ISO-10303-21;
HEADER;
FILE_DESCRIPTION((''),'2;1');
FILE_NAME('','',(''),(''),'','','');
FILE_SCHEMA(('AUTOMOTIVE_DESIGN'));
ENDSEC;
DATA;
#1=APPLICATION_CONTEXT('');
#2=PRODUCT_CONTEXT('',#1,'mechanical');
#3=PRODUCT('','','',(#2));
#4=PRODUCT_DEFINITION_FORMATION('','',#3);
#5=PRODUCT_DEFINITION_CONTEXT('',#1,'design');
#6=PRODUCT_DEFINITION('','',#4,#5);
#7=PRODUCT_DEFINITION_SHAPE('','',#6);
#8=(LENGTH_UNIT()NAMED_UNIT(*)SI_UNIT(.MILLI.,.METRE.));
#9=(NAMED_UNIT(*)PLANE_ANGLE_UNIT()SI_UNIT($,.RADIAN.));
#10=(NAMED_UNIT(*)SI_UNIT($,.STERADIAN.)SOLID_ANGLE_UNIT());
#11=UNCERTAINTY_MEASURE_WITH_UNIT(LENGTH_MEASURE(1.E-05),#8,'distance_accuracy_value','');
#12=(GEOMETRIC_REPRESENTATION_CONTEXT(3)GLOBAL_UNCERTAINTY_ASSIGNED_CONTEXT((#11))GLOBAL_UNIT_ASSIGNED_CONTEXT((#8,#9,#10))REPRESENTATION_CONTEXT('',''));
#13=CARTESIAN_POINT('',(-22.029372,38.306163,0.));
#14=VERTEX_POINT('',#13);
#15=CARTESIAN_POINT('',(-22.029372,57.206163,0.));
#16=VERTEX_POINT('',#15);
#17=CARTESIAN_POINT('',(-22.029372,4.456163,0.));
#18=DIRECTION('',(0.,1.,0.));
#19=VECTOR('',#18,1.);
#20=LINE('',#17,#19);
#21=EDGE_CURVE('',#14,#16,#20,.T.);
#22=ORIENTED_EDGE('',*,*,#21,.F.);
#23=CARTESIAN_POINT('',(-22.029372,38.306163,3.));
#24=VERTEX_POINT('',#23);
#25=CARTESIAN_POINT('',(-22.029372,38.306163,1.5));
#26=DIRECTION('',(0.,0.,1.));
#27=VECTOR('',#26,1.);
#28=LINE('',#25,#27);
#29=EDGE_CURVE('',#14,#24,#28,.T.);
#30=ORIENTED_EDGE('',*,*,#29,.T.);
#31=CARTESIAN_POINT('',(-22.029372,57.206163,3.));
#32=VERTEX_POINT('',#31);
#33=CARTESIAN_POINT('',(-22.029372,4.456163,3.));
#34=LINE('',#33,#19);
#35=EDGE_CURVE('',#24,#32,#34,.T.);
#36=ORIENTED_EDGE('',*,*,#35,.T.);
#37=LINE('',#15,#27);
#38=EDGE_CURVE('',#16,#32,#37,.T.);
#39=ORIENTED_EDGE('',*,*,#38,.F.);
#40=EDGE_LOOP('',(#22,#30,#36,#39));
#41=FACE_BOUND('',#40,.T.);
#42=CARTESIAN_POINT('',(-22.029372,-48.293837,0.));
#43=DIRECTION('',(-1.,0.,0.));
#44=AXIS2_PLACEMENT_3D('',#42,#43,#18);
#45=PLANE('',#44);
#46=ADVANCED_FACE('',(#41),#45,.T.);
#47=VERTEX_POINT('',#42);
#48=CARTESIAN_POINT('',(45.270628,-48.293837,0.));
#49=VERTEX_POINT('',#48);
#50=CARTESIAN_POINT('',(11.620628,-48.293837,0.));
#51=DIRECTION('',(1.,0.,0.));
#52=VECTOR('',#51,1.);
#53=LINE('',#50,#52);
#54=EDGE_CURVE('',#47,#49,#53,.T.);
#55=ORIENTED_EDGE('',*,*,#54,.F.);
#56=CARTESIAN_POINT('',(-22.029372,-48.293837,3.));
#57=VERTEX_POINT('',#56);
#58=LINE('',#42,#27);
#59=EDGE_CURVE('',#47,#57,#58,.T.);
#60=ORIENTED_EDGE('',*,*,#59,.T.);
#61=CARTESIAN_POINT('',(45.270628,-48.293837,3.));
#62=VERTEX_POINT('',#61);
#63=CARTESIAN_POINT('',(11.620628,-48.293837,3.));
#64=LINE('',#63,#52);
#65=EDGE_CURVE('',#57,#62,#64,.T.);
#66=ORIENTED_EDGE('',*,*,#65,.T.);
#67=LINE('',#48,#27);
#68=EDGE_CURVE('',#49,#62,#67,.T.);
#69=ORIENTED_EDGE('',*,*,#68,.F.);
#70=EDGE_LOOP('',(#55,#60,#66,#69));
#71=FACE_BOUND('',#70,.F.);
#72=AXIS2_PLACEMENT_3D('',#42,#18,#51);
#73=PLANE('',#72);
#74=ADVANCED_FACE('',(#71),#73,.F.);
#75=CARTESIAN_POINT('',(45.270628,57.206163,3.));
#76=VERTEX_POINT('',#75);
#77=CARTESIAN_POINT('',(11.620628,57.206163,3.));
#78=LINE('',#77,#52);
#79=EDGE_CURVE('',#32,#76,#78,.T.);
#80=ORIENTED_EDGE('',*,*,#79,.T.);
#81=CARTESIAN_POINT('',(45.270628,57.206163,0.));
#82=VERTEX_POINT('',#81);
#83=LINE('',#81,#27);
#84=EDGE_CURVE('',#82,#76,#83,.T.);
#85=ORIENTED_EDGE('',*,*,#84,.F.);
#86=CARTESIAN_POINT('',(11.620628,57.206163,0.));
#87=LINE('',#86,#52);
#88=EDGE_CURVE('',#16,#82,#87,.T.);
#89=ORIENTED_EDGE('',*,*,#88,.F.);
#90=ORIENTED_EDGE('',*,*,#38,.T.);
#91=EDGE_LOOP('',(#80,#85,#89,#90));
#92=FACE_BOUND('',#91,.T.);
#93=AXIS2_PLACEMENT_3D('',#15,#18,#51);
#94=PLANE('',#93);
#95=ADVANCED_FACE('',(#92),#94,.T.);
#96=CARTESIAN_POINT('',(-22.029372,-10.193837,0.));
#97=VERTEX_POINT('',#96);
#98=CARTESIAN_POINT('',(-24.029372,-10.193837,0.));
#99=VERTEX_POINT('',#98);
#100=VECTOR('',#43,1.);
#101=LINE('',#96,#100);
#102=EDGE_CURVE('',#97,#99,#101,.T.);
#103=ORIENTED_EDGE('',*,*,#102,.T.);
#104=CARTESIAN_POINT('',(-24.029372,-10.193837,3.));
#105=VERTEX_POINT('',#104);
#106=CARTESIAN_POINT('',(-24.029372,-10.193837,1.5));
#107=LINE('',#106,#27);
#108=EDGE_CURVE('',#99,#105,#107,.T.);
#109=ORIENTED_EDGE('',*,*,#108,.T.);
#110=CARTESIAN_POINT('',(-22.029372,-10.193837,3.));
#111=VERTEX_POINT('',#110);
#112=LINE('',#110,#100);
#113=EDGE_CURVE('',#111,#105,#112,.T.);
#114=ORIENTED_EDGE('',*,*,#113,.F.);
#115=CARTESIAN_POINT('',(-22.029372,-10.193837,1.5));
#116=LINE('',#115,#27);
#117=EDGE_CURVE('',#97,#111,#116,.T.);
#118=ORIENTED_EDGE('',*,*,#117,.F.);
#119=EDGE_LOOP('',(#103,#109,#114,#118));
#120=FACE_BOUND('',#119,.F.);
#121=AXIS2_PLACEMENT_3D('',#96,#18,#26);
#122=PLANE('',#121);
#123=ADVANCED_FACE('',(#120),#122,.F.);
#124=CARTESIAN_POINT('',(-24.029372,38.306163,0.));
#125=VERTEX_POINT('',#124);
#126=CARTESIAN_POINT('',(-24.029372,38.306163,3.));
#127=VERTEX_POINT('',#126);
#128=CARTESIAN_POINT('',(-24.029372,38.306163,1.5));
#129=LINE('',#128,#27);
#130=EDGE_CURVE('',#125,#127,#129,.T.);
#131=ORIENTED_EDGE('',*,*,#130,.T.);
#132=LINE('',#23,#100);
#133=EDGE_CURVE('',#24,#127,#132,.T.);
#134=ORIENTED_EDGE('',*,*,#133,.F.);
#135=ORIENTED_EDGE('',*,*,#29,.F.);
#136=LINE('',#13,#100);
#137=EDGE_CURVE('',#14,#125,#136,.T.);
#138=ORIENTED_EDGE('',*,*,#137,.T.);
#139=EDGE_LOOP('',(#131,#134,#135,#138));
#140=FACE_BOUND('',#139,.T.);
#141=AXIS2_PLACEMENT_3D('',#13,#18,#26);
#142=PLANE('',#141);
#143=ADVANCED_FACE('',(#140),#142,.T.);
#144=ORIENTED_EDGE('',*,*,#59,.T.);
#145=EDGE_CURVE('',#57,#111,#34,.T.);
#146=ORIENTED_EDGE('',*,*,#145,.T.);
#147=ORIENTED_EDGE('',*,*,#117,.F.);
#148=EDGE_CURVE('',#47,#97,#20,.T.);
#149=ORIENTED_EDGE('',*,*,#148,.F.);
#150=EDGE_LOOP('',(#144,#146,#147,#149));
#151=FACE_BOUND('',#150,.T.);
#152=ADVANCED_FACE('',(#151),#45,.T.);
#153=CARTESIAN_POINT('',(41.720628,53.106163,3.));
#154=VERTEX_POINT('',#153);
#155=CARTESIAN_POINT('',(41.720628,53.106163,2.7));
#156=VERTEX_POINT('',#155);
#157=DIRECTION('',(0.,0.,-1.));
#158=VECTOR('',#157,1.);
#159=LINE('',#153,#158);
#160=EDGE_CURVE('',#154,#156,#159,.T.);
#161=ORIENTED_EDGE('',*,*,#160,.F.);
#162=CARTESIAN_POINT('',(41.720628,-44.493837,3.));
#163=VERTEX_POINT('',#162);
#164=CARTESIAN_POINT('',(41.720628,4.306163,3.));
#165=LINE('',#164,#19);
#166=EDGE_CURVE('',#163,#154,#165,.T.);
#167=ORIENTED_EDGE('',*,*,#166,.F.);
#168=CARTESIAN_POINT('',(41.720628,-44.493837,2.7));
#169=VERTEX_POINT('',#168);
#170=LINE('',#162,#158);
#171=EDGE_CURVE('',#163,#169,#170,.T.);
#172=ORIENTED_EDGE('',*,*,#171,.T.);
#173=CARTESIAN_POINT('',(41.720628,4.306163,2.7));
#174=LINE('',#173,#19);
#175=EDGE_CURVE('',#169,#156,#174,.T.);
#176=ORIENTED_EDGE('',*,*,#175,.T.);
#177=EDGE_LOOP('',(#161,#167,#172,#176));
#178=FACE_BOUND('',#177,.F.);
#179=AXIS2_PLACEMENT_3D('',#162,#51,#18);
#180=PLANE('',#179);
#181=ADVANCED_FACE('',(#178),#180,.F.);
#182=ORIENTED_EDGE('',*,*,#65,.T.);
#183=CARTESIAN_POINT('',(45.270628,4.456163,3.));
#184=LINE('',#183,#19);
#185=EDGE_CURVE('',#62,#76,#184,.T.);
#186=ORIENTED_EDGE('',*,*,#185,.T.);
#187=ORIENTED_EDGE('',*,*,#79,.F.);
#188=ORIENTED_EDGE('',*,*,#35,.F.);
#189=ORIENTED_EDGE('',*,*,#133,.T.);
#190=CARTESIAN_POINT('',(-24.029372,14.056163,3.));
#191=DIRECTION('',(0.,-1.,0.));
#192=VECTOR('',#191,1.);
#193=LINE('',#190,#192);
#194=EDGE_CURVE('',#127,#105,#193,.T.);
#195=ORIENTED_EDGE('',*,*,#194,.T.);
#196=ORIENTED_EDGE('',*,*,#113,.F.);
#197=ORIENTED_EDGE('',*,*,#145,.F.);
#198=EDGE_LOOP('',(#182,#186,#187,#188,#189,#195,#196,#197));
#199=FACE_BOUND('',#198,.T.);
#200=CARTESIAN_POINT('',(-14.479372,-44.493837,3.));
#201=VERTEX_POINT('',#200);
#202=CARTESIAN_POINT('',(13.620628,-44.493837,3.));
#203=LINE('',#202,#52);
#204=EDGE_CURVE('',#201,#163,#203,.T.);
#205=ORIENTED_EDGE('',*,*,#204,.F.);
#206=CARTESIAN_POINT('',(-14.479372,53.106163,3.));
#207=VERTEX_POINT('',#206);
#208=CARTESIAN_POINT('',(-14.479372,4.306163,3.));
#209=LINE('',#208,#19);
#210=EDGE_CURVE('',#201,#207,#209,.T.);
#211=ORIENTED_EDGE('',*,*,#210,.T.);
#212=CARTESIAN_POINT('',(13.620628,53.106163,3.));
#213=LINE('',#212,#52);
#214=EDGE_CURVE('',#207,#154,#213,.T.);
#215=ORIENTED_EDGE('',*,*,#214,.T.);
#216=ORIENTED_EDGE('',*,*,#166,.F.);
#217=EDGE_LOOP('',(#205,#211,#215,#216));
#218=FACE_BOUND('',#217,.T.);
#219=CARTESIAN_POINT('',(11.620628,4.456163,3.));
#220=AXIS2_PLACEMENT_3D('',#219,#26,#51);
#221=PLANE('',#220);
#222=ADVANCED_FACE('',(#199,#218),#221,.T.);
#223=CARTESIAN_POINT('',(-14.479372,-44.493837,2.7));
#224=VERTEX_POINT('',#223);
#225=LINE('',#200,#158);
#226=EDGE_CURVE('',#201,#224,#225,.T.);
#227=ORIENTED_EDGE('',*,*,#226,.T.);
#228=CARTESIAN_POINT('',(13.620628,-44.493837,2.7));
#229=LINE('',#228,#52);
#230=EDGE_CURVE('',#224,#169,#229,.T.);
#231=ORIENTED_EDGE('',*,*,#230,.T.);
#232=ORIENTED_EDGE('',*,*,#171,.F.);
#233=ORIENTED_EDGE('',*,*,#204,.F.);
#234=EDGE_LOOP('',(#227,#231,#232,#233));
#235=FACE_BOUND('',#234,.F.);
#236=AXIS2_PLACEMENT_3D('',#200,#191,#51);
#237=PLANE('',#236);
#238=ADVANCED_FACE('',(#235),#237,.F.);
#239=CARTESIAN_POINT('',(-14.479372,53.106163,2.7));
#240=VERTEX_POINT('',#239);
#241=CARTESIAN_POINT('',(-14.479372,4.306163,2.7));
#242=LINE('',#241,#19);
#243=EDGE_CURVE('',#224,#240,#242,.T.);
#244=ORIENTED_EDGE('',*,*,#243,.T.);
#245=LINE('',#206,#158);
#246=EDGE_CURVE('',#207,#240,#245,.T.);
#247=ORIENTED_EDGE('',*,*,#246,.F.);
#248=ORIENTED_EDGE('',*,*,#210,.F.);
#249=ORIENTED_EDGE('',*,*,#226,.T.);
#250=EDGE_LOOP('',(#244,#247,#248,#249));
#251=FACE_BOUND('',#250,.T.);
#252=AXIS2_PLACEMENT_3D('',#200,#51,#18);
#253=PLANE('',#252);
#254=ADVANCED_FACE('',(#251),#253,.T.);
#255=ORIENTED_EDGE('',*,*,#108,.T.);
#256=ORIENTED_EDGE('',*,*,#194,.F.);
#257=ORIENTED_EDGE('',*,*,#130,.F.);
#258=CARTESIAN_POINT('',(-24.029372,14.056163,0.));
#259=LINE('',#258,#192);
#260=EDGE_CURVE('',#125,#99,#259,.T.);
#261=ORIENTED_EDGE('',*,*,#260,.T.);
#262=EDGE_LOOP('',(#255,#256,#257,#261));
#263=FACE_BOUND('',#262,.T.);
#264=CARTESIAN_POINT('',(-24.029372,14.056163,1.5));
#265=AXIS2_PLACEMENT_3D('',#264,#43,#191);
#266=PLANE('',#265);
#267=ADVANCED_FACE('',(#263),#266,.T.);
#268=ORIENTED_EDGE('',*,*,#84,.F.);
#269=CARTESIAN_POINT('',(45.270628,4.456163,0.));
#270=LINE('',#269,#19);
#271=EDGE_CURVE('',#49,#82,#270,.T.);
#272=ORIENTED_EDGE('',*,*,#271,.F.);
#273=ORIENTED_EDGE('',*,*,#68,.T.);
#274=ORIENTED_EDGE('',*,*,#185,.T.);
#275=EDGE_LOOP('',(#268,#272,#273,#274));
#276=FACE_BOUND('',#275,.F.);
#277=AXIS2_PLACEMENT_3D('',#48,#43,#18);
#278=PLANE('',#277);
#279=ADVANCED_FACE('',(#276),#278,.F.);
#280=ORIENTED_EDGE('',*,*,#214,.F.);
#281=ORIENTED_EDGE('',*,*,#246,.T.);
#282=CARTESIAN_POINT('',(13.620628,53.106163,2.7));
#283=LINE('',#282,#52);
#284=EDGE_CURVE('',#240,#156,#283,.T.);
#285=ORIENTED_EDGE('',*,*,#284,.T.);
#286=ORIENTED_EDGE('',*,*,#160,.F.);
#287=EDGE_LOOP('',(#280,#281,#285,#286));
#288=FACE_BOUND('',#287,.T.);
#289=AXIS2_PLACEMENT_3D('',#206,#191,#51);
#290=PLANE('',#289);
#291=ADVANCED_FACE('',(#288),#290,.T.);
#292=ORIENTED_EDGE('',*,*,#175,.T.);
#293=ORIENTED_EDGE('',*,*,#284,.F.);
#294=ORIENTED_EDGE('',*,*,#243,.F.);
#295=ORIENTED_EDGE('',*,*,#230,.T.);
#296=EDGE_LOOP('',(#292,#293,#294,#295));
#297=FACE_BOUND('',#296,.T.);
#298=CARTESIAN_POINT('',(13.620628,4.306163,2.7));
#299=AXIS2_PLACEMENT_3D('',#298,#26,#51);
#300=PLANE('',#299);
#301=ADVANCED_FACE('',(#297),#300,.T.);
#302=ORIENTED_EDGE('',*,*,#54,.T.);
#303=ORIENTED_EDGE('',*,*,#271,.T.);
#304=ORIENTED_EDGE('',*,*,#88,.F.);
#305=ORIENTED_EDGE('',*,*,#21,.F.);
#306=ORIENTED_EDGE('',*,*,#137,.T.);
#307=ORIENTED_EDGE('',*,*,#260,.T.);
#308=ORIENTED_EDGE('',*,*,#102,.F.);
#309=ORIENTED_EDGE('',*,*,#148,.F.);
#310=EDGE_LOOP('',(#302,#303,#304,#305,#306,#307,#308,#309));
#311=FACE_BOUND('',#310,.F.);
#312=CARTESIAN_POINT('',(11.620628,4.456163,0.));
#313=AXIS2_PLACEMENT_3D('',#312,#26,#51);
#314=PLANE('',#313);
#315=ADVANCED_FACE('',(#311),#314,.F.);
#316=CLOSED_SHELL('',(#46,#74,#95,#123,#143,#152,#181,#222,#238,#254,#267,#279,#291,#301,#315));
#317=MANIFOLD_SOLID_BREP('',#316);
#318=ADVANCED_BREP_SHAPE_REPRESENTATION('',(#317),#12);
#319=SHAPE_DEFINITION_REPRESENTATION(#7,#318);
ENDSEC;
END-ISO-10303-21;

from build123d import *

# Parameters (mm, degrees)
F0_W     = 67.3
F0_H     = 105.5
F1_DEPTH = 3
F2_W     = 56.2
F2_H     = 97.6
F3_DEPTH = 0.3
F4_W     = 48.5
F4_H     = 3
F5_DEPTH = 2


with BuildPart() as f1:
    # F0 (on Top) → F1 (new body)
    with BuildSketch(Plane.XY):
        with Locations((11.620628, 4.456163)):
            Rectangle(F0_W, F0_H)
    extrude(amount=F1_DEPTH)

    # F2 (on face) → F3 (cut)
    with BuildSketch(Plane.XY.offset(3)):
        with Locations((13.620628, 4.306163)):
            Rectangle(F2_W, F2_H)
    extrude(amount=-F3_DEPTH, mode=Mode.SUBTRACT)

    # F4 (on face) → F5 (join)
    with BuildSketch(Plane(origin=(-22.029372, 0, 0), x_dir=(0, -1, 0), z_dir=(-1, 0, 0))):
        with Locations((-14.056163, 1.5)):
            Rectangle(F4_W, F4_H)
    extrude(amount=F5_DEPTH)


solid = f1.part
